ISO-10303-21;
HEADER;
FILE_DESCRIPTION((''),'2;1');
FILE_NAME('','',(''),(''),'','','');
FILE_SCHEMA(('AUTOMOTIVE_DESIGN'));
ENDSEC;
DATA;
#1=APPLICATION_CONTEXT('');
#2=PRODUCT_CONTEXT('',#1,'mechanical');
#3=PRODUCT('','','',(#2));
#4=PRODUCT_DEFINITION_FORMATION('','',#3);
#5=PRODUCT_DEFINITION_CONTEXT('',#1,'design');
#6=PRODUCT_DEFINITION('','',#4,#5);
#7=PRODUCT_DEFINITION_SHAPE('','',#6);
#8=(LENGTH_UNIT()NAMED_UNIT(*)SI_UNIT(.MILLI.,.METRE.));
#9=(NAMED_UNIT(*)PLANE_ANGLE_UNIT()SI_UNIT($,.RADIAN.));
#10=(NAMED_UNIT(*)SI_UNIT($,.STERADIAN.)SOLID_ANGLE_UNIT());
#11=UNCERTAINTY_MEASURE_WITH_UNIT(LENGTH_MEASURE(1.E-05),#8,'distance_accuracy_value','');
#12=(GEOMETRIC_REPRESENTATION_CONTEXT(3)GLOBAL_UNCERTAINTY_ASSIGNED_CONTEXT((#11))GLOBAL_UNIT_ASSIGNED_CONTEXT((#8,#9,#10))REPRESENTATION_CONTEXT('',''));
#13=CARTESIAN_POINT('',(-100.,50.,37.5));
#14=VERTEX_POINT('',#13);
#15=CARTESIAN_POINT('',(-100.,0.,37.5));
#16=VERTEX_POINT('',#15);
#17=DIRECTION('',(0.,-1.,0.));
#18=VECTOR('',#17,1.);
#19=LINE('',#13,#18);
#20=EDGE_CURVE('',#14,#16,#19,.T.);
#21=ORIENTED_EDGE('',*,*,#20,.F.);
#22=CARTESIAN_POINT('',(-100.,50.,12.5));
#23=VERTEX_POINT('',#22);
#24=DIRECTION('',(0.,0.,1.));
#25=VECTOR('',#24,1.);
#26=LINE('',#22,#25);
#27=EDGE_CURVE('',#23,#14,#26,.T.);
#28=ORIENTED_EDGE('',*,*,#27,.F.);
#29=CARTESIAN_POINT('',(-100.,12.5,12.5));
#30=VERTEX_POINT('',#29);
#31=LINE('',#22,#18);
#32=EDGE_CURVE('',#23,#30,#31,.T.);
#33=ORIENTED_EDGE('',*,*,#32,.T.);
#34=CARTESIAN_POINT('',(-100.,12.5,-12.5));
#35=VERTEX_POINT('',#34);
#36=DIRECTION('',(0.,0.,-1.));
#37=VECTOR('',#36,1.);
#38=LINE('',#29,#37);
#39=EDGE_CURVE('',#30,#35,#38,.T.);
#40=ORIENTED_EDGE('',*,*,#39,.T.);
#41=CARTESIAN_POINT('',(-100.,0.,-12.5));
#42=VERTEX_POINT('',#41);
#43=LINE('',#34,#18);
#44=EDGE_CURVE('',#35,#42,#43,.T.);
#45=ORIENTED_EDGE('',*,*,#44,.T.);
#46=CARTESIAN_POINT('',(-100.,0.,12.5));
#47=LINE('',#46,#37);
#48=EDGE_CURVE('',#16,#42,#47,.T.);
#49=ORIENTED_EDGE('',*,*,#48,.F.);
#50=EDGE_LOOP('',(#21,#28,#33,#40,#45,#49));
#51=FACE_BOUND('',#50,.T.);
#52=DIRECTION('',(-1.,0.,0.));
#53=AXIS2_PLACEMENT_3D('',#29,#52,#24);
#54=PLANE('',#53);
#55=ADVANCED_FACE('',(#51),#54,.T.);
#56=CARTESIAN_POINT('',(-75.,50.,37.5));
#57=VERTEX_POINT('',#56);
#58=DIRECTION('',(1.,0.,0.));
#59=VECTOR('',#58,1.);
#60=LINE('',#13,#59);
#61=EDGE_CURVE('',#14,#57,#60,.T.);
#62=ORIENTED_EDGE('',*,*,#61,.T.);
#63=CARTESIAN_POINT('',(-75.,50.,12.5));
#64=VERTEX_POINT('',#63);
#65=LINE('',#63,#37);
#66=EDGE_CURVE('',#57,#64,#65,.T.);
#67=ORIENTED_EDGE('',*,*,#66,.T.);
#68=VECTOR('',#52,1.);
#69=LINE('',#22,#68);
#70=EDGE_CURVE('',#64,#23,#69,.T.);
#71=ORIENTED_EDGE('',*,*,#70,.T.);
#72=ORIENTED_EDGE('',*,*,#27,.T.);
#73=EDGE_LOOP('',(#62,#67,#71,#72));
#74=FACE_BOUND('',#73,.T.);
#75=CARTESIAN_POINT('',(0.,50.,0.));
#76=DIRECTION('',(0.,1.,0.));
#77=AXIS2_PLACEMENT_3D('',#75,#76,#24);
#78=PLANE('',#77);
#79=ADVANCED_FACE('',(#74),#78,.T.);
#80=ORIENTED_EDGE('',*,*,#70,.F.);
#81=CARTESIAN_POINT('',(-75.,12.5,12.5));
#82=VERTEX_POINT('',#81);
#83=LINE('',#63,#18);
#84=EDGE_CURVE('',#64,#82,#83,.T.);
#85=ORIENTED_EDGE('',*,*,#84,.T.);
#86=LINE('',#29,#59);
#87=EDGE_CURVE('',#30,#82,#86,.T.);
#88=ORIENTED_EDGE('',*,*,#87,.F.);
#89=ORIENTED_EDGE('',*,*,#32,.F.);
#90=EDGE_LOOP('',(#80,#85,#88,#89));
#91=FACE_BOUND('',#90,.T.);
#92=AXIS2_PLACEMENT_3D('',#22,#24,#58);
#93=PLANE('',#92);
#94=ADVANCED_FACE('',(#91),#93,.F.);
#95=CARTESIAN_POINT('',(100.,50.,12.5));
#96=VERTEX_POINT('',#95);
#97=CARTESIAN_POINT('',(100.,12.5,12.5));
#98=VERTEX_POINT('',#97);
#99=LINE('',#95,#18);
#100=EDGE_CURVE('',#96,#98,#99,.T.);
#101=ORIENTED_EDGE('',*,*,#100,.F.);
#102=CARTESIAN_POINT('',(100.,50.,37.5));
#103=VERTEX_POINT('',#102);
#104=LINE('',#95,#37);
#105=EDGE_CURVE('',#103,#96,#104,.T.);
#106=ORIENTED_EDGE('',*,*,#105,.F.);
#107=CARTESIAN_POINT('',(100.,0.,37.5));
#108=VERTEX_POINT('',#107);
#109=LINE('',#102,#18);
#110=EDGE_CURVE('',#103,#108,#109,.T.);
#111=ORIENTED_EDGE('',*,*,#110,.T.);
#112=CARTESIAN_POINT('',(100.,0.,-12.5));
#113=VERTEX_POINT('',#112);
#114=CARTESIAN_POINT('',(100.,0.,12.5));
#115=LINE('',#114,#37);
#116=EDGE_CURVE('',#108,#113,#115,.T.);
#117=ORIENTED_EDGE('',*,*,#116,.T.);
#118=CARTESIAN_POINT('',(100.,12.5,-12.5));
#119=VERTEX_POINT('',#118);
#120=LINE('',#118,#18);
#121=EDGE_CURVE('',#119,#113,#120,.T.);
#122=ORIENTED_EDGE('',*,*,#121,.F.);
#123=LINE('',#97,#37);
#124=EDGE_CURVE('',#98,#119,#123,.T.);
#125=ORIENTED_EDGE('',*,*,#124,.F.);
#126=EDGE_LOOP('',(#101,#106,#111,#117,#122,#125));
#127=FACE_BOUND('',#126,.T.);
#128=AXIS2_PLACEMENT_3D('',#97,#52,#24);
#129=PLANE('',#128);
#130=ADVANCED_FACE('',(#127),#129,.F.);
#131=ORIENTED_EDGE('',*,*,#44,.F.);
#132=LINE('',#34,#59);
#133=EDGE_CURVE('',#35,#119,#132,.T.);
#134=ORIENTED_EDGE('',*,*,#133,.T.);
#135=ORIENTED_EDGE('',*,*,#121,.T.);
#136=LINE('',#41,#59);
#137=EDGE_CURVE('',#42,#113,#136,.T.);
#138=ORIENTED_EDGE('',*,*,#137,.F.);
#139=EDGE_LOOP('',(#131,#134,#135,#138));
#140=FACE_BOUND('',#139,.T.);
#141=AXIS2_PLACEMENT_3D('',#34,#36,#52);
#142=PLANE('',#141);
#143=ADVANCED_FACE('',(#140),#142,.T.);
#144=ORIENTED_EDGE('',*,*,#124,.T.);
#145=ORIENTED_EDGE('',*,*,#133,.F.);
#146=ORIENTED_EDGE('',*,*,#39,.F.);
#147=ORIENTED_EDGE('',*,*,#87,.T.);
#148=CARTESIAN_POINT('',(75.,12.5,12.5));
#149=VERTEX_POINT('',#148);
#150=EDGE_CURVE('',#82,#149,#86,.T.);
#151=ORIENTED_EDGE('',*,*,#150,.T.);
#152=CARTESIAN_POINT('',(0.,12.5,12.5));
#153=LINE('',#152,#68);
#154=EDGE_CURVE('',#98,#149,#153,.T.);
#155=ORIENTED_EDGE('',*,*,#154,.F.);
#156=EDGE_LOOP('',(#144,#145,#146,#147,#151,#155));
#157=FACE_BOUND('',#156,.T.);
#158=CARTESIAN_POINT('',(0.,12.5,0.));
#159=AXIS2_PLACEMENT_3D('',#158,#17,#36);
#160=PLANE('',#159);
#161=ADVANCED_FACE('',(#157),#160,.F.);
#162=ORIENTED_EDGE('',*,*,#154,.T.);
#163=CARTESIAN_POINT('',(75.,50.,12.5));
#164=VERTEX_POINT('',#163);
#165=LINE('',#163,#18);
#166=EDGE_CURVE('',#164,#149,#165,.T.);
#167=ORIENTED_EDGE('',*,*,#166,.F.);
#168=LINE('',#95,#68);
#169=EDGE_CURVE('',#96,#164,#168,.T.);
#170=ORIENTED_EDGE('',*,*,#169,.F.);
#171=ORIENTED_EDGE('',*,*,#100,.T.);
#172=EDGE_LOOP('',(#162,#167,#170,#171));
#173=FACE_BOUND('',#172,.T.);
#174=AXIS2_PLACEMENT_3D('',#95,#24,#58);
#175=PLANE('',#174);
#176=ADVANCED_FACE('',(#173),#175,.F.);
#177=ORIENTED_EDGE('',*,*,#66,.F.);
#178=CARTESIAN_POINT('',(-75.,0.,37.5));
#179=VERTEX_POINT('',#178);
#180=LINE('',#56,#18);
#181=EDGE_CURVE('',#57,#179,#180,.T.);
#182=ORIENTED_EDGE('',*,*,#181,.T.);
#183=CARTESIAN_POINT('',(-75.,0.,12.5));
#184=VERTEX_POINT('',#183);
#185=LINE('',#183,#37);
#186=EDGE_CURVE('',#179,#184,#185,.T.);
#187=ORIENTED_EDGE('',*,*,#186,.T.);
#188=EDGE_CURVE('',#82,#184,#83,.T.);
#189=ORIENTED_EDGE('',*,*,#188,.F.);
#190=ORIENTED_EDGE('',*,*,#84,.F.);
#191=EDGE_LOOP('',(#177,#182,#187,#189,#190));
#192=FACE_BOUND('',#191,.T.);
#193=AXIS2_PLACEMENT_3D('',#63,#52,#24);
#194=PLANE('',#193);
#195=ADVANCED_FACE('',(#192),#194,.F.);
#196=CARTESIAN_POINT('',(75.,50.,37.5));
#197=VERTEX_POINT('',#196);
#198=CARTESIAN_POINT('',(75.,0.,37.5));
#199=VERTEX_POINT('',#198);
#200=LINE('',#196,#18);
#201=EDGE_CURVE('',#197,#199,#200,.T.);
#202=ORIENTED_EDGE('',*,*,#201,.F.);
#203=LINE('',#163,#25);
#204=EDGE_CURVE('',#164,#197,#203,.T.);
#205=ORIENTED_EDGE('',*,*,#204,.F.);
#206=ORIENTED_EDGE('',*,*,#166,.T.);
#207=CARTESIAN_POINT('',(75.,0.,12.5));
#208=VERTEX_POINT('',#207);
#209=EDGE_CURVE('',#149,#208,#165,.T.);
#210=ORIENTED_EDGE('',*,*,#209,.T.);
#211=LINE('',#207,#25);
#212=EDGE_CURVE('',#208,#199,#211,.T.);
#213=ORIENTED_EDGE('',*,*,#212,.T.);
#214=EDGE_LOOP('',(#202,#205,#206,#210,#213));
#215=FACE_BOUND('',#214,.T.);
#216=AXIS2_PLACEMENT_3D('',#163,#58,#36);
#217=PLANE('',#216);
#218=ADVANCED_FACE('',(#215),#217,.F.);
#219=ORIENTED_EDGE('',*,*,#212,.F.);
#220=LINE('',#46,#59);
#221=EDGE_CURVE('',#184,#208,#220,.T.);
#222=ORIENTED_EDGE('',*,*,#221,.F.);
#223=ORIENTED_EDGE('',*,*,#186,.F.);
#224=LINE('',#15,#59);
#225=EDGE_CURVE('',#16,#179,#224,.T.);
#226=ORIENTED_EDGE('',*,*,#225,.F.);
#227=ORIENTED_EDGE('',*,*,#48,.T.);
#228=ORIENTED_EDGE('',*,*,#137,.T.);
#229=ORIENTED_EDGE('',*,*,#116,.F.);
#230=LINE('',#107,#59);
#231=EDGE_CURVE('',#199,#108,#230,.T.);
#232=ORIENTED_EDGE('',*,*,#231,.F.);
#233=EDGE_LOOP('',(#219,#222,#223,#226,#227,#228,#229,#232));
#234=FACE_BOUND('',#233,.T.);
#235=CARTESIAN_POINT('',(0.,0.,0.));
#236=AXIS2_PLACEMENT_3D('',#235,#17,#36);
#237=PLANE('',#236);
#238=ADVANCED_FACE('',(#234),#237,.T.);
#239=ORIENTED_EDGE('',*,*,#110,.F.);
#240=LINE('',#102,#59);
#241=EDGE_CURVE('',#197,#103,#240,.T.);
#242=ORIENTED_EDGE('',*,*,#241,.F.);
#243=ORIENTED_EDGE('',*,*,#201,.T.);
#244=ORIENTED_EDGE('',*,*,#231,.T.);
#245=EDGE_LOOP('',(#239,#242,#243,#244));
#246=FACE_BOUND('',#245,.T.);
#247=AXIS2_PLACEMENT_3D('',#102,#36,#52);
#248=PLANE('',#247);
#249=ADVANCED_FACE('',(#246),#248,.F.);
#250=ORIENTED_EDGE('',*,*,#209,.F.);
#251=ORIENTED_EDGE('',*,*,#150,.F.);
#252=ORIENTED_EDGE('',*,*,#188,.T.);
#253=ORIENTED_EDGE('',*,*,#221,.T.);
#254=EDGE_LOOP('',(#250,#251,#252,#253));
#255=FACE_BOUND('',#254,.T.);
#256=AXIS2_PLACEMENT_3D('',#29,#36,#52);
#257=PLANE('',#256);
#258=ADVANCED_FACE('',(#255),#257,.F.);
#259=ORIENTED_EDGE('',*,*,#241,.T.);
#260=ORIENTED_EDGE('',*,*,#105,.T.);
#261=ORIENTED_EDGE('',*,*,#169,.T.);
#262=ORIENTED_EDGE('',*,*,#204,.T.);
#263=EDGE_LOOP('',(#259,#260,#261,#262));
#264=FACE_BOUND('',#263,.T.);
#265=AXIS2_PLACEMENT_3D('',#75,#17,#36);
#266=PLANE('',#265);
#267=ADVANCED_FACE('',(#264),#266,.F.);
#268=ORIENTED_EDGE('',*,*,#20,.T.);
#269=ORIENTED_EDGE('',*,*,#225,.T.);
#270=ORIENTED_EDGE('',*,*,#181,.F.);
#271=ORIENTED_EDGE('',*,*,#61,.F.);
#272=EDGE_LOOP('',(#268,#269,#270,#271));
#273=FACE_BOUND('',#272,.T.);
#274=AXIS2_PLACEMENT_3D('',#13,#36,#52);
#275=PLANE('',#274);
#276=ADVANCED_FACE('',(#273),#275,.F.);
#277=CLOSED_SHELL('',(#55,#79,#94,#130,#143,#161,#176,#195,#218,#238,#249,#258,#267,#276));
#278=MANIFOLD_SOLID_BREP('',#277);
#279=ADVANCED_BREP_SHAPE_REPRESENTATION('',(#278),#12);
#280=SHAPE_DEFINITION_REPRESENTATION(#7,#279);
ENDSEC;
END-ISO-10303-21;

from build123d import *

# Parameters (mm, degrees)
SKETCH1_W           = 200
SKETCH1_H           = 25
BOSS_EXTRUDE3_DEPTH = 12.5
SKETCH2_W           = 25
SKETCH2_H           = 25
BOSS_EXTRUDE4_DEPTH = 50


with BuildPart() as part:
    # Sketch1 → Boss-Extrude3 (new body)
    with BuildSketch(Plane(origin=(0, 0, 0), x_dir=(1, 0, 0), z_dir=(0, 1, 0))):
        Rectangle(SKETCH1_W, SKETCH1_H)
    extrude(amount=BOSS_EXTRUDE3_DEPTH)

    # Sketch2 → Boss-Extrude4 (add)
    with BuildSketch(Plane(origin=(0, 0, 0), x_dir=(1, 0, 0), z_dir=(0, 1, 0))):
        with Locations((-87.5, -25)):
            Rectangle(SKETCH2_W, SKETCH2_H)
        with Locations((87.5, -25)):
            Rectangle(SKETCH2_W, SKETCH2_H)
    extrude(amount=BOSS_EXTRUDE4_DEPTH)


solid = part.part
